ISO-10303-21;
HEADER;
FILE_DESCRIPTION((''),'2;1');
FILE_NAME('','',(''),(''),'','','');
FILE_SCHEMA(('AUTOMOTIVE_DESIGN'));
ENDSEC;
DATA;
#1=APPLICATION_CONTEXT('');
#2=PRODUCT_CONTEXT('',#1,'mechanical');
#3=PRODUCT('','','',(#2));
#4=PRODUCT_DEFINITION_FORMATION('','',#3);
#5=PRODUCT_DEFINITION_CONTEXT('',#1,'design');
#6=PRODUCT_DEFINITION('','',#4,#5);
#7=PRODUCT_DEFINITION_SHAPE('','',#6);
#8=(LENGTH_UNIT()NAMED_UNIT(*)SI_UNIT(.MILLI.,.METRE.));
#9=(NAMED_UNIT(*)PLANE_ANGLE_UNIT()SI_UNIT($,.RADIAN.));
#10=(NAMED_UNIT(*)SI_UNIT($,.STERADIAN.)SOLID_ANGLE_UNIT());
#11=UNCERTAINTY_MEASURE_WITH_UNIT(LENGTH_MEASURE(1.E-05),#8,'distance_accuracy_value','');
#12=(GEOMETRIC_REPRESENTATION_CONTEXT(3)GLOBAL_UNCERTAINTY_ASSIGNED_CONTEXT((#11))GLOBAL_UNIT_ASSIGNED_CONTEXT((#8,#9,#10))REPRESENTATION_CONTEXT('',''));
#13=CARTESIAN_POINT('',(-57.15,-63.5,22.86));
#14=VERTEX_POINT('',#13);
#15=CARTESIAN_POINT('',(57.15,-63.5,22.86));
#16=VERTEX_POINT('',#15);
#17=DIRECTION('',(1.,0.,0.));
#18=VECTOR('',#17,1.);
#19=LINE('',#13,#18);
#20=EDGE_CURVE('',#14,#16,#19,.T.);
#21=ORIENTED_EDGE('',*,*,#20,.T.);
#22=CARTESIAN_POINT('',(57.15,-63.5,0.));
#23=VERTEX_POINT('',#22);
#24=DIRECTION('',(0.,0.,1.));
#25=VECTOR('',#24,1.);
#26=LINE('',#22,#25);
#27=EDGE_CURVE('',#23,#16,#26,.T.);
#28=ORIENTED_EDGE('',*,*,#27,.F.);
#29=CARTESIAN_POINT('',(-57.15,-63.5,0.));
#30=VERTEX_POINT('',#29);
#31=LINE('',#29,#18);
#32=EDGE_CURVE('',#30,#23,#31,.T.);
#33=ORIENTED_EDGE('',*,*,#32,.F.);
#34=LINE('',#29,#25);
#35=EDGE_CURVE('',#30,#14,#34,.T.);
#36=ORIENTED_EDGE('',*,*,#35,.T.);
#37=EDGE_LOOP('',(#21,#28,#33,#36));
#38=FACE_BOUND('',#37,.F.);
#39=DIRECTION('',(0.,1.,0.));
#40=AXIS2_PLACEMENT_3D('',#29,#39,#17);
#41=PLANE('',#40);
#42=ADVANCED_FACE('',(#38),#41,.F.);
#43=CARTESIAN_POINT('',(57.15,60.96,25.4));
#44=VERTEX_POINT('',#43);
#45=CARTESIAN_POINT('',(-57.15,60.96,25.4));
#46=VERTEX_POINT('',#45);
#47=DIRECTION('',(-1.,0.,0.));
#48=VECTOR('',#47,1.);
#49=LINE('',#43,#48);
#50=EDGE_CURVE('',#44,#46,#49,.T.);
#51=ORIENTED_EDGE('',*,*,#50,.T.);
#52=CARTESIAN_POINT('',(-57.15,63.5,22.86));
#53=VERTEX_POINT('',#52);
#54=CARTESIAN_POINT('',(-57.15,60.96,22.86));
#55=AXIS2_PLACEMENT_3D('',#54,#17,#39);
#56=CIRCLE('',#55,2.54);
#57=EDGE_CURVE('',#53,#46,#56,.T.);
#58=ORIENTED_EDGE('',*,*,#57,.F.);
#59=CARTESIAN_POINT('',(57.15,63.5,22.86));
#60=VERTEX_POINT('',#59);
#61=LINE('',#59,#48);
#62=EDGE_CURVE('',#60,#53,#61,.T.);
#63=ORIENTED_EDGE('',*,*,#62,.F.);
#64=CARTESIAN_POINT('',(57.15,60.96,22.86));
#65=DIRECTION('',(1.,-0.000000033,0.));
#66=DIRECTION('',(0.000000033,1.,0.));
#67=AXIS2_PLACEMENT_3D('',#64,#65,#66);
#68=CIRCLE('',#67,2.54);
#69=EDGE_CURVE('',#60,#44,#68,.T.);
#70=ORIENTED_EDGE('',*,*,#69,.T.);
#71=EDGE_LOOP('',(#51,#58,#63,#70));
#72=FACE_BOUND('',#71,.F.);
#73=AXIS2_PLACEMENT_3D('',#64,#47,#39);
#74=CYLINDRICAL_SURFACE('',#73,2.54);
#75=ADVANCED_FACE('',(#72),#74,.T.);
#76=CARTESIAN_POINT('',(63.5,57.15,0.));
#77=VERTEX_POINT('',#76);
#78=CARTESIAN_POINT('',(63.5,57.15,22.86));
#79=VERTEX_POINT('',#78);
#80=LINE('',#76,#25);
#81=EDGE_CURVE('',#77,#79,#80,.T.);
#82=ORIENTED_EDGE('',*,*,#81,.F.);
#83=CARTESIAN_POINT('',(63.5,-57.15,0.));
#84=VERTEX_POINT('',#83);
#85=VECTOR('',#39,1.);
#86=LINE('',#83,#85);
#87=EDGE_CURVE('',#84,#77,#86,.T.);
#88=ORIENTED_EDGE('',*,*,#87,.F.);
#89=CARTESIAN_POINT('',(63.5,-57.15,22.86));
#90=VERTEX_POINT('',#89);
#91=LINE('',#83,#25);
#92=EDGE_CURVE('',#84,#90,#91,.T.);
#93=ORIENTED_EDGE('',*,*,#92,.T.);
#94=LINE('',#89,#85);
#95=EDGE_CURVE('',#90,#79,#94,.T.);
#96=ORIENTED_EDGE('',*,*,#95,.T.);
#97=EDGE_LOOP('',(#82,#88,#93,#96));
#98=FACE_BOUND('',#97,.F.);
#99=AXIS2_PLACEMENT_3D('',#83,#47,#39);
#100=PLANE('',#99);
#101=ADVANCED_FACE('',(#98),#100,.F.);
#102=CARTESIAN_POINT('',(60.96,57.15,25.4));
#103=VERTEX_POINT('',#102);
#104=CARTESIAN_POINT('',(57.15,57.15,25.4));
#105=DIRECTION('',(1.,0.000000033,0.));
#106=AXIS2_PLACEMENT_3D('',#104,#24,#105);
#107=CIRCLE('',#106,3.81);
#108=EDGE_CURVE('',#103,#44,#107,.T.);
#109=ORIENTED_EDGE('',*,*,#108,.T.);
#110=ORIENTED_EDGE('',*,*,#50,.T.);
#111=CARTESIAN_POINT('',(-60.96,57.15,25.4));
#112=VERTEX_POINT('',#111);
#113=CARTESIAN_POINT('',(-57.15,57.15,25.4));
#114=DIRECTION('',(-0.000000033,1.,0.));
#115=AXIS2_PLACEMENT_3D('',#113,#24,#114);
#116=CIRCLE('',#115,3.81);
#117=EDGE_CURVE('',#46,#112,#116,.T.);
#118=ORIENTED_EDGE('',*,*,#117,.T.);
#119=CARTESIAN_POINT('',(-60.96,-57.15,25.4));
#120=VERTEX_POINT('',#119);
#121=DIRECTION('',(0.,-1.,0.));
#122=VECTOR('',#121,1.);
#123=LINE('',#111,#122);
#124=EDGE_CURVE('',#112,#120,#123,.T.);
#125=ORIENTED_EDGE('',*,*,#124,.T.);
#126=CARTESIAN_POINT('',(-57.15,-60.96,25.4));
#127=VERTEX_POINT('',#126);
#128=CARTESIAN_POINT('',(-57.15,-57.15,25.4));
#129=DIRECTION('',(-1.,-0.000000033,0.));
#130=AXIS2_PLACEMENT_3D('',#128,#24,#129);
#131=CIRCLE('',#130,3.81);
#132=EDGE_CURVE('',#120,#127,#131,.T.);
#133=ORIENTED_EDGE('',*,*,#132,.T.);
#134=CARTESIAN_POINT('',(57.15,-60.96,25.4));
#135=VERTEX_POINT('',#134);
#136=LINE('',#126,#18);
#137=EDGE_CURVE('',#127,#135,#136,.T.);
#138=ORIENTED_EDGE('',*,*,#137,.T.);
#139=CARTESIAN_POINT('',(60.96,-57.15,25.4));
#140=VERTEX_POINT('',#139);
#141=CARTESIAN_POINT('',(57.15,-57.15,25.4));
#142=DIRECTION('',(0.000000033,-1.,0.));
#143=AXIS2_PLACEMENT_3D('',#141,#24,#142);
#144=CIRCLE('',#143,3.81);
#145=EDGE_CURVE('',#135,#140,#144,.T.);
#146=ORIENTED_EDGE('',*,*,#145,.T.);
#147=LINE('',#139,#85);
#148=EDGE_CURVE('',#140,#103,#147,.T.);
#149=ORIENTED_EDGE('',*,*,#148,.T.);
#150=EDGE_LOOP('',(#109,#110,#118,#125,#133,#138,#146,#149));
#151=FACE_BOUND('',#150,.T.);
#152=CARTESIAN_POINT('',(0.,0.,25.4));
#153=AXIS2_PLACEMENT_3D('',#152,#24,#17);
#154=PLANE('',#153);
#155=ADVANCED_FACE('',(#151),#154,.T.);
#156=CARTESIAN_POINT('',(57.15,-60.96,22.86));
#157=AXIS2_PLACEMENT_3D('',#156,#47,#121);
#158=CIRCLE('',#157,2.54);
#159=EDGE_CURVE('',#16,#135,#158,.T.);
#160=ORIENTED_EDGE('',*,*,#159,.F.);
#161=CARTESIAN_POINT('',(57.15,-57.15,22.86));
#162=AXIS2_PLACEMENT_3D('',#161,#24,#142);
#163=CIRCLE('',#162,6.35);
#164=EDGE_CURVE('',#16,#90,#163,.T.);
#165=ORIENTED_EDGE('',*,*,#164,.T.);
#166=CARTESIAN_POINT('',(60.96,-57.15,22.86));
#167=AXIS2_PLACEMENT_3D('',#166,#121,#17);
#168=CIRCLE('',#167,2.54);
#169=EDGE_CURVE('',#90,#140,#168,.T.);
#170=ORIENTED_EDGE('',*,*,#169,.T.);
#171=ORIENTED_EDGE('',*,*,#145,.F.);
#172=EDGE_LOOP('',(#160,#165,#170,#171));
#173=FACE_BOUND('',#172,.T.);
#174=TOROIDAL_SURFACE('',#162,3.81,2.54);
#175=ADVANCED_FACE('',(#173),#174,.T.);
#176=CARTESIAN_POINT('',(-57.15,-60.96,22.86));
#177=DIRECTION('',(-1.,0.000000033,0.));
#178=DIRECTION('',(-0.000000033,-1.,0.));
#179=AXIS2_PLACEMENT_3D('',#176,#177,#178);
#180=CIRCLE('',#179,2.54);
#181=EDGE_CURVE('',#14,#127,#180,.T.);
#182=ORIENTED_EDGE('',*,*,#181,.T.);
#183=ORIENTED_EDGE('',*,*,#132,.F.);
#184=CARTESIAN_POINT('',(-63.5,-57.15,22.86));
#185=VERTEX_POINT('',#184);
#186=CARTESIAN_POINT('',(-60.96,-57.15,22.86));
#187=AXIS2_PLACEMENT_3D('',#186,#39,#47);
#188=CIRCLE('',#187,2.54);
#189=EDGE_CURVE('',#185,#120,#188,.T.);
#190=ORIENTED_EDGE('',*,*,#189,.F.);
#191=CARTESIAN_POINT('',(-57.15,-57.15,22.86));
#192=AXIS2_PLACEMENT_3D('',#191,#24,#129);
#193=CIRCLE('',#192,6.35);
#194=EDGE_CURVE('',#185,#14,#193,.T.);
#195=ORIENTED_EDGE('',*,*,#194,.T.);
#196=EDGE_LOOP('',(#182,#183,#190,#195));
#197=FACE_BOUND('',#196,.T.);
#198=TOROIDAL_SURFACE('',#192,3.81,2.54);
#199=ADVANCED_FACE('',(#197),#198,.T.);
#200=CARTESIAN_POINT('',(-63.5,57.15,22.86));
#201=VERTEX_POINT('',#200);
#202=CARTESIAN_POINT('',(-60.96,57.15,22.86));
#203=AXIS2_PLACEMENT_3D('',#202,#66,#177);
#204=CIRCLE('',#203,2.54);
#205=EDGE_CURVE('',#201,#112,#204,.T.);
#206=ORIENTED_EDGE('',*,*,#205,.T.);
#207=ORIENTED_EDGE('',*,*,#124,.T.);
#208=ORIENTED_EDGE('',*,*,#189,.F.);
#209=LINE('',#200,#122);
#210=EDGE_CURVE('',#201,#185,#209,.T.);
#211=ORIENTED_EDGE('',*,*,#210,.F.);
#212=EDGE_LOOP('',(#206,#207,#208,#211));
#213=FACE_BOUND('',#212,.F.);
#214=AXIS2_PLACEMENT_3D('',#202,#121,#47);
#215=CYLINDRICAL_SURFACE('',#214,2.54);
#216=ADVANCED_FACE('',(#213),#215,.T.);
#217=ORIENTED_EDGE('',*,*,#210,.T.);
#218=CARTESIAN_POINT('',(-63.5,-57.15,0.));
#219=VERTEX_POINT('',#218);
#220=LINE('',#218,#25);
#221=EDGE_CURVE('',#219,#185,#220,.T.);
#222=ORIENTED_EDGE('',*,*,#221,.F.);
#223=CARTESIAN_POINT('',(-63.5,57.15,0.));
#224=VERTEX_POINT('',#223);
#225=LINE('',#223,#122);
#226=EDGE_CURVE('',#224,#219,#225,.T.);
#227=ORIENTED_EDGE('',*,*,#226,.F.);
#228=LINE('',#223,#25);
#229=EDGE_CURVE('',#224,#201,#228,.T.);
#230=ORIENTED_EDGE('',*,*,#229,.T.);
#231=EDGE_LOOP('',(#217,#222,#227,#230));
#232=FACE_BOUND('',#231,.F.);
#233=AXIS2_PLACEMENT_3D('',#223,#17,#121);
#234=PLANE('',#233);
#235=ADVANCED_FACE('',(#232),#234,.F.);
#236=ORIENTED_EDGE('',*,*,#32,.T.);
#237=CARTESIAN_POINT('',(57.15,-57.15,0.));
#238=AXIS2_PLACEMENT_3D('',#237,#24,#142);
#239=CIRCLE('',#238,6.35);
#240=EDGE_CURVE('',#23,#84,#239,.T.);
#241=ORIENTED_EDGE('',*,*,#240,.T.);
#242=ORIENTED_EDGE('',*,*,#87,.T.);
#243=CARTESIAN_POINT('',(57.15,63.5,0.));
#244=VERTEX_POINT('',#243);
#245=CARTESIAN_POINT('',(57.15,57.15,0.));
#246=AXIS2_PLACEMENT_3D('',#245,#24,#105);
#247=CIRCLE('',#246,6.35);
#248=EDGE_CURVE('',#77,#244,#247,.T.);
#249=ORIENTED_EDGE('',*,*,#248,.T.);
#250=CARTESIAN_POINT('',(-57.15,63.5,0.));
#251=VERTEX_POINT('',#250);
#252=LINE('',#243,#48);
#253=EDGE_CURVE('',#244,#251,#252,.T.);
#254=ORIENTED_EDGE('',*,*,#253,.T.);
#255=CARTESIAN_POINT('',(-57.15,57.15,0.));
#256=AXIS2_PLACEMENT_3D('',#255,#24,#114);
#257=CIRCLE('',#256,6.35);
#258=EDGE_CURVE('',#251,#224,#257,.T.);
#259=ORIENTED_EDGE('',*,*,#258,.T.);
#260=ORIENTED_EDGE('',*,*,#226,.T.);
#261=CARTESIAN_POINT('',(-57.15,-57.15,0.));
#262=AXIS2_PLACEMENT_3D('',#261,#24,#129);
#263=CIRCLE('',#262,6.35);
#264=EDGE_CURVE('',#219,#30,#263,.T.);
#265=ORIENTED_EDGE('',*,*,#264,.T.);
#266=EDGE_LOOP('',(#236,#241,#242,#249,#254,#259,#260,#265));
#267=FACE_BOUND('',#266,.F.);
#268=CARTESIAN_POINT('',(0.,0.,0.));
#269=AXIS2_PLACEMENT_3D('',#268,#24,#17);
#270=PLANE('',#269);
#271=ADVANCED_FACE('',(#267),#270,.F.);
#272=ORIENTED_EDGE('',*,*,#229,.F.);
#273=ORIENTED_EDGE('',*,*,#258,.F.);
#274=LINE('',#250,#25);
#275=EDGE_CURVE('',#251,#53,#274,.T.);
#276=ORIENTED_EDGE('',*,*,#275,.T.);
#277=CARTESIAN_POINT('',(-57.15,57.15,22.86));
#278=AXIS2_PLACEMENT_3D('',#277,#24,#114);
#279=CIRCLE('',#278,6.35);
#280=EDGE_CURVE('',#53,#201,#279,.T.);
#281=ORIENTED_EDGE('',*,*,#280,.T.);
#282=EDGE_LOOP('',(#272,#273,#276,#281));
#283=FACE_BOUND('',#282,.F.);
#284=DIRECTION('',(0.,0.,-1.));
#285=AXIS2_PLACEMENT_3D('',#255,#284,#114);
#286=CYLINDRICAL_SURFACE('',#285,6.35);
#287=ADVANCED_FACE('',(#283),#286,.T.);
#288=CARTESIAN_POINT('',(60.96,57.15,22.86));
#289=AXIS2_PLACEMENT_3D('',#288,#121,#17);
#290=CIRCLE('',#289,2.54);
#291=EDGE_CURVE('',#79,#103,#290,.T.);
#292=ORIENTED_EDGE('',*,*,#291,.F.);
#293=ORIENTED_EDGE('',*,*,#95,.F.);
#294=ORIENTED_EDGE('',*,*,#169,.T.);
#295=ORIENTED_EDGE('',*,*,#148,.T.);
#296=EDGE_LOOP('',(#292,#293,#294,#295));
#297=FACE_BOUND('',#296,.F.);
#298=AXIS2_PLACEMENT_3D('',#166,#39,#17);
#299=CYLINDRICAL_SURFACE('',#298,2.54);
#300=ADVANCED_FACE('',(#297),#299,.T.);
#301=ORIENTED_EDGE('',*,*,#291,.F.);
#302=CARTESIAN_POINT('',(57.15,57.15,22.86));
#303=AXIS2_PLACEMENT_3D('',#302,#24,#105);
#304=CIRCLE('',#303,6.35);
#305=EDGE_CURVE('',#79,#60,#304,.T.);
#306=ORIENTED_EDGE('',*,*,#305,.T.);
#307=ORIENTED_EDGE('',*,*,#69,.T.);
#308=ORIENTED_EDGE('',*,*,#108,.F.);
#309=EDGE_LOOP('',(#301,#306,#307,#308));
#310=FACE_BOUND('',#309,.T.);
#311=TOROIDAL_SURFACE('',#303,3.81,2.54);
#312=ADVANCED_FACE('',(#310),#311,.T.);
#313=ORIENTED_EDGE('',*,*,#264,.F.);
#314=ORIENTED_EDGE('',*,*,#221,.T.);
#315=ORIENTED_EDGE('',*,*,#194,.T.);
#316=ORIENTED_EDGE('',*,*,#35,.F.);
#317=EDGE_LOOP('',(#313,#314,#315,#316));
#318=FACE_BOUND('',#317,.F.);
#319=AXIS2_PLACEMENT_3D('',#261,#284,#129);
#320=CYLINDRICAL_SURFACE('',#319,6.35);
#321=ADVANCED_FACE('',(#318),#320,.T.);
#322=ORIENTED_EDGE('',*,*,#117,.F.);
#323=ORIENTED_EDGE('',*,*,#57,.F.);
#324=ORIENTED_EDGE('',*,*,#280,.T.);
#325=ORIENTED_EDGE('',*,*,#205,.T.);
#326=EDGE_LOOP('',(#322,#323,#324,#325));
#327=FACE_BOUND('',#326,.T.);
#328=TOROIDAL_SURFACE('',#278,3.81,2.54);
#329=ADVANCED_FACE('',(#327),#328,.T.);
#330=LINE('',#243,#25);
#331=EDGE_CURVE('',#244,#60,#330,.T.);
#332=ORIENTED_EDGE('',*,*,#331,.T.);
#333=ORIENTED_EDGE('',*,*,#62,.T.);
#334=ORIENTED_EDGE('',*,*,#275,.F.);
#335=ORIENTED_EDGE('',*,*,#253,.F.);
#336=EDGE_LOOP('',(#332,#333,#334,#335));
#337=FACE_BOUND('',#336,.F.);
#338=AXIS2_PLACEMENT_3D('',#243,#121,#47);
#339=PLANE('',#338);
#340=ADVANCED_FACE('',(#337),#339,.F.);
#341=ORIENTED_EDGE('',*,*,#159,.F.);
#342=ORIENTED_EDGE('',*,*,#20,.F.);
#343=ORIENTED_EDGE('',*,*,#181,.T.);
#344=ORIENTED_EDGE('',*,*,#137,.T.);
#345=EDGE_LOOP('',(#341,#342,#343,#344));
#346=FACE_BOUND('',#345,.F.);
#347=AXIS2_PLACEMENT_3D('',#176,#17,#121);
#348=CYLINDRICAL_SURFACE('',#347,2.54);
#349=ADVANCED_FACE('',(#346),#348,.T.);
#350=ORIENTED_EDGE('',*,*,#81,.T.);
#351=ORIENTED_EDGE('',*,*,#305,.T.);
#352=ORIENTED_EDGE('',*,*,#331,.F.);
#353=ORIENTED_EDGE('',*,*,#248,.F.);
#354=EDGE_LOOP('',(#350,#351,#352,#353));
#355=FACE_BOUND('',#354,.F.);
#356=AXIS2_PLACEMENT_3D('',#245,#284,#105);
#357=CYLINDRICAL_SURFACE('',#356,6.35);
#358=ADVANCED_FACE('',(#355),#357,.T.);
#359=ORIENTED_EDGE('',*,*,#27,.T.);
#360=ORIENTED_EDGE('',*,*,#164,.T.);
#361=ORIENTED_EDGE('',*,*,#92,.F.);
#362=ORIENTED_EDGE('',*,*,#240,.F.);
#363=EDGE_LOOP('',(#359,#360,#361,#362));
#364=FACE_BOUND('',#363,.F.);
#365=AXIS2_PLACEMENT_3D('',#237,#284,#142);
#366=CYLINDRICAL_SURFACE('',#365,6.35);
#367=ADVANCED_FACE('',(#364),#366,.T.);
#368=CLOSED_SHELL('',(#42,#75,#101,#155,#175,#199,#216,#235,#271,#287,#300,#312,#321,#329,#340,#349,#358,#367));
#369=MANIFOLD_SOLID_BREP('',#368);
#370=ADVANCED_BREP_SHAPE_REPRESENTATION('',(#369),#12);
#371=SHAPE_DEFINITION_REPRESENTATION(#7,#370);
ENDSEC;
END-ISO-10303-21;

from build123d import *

# Parameters (mm, degrees)
F1_DEPTH = 25.4
F2_R     = 2.54


with BuildPart() as f1:
    # F0 (on Top) → F1 (new body)
    with BuildSketch(Plane.XY):
        with BuildLine():
            Line((57.15, 63.5), (-57.15, 63.5))
            ThreePointArc((-57.15, 63.5), (-61.640128, 61.640128), (-63.5, 57.15))
            Line((-63.5, 57.15), (-63.5, -57.15))
            ThreePointArc((-63.5, -57.15), (-61.640128, -61.640128), (-57.15, -63.5))
            Line((-57.15, -63.5), (57.15, -63.5))
            ThreePointArc((57.15, -63.5), (61.640128, -61.640128), (63.5, -57.15))
            Line((63.5, -57.15), (63.5, 57.15))
            ThreePointArc((63.5, 57.15), (61.640128, 61.640128), (57.15, 63.5))
        make_face()
    extrude(amount=F1_DEPTH)

    # F2
    f2_edges = [f1.edges().sort_by_distance(p)[0] for p in [
        (63.5, 0, 25.4),
    ]]
    fillet(f2_edges, radius=F2_R)


solid = f1.part
